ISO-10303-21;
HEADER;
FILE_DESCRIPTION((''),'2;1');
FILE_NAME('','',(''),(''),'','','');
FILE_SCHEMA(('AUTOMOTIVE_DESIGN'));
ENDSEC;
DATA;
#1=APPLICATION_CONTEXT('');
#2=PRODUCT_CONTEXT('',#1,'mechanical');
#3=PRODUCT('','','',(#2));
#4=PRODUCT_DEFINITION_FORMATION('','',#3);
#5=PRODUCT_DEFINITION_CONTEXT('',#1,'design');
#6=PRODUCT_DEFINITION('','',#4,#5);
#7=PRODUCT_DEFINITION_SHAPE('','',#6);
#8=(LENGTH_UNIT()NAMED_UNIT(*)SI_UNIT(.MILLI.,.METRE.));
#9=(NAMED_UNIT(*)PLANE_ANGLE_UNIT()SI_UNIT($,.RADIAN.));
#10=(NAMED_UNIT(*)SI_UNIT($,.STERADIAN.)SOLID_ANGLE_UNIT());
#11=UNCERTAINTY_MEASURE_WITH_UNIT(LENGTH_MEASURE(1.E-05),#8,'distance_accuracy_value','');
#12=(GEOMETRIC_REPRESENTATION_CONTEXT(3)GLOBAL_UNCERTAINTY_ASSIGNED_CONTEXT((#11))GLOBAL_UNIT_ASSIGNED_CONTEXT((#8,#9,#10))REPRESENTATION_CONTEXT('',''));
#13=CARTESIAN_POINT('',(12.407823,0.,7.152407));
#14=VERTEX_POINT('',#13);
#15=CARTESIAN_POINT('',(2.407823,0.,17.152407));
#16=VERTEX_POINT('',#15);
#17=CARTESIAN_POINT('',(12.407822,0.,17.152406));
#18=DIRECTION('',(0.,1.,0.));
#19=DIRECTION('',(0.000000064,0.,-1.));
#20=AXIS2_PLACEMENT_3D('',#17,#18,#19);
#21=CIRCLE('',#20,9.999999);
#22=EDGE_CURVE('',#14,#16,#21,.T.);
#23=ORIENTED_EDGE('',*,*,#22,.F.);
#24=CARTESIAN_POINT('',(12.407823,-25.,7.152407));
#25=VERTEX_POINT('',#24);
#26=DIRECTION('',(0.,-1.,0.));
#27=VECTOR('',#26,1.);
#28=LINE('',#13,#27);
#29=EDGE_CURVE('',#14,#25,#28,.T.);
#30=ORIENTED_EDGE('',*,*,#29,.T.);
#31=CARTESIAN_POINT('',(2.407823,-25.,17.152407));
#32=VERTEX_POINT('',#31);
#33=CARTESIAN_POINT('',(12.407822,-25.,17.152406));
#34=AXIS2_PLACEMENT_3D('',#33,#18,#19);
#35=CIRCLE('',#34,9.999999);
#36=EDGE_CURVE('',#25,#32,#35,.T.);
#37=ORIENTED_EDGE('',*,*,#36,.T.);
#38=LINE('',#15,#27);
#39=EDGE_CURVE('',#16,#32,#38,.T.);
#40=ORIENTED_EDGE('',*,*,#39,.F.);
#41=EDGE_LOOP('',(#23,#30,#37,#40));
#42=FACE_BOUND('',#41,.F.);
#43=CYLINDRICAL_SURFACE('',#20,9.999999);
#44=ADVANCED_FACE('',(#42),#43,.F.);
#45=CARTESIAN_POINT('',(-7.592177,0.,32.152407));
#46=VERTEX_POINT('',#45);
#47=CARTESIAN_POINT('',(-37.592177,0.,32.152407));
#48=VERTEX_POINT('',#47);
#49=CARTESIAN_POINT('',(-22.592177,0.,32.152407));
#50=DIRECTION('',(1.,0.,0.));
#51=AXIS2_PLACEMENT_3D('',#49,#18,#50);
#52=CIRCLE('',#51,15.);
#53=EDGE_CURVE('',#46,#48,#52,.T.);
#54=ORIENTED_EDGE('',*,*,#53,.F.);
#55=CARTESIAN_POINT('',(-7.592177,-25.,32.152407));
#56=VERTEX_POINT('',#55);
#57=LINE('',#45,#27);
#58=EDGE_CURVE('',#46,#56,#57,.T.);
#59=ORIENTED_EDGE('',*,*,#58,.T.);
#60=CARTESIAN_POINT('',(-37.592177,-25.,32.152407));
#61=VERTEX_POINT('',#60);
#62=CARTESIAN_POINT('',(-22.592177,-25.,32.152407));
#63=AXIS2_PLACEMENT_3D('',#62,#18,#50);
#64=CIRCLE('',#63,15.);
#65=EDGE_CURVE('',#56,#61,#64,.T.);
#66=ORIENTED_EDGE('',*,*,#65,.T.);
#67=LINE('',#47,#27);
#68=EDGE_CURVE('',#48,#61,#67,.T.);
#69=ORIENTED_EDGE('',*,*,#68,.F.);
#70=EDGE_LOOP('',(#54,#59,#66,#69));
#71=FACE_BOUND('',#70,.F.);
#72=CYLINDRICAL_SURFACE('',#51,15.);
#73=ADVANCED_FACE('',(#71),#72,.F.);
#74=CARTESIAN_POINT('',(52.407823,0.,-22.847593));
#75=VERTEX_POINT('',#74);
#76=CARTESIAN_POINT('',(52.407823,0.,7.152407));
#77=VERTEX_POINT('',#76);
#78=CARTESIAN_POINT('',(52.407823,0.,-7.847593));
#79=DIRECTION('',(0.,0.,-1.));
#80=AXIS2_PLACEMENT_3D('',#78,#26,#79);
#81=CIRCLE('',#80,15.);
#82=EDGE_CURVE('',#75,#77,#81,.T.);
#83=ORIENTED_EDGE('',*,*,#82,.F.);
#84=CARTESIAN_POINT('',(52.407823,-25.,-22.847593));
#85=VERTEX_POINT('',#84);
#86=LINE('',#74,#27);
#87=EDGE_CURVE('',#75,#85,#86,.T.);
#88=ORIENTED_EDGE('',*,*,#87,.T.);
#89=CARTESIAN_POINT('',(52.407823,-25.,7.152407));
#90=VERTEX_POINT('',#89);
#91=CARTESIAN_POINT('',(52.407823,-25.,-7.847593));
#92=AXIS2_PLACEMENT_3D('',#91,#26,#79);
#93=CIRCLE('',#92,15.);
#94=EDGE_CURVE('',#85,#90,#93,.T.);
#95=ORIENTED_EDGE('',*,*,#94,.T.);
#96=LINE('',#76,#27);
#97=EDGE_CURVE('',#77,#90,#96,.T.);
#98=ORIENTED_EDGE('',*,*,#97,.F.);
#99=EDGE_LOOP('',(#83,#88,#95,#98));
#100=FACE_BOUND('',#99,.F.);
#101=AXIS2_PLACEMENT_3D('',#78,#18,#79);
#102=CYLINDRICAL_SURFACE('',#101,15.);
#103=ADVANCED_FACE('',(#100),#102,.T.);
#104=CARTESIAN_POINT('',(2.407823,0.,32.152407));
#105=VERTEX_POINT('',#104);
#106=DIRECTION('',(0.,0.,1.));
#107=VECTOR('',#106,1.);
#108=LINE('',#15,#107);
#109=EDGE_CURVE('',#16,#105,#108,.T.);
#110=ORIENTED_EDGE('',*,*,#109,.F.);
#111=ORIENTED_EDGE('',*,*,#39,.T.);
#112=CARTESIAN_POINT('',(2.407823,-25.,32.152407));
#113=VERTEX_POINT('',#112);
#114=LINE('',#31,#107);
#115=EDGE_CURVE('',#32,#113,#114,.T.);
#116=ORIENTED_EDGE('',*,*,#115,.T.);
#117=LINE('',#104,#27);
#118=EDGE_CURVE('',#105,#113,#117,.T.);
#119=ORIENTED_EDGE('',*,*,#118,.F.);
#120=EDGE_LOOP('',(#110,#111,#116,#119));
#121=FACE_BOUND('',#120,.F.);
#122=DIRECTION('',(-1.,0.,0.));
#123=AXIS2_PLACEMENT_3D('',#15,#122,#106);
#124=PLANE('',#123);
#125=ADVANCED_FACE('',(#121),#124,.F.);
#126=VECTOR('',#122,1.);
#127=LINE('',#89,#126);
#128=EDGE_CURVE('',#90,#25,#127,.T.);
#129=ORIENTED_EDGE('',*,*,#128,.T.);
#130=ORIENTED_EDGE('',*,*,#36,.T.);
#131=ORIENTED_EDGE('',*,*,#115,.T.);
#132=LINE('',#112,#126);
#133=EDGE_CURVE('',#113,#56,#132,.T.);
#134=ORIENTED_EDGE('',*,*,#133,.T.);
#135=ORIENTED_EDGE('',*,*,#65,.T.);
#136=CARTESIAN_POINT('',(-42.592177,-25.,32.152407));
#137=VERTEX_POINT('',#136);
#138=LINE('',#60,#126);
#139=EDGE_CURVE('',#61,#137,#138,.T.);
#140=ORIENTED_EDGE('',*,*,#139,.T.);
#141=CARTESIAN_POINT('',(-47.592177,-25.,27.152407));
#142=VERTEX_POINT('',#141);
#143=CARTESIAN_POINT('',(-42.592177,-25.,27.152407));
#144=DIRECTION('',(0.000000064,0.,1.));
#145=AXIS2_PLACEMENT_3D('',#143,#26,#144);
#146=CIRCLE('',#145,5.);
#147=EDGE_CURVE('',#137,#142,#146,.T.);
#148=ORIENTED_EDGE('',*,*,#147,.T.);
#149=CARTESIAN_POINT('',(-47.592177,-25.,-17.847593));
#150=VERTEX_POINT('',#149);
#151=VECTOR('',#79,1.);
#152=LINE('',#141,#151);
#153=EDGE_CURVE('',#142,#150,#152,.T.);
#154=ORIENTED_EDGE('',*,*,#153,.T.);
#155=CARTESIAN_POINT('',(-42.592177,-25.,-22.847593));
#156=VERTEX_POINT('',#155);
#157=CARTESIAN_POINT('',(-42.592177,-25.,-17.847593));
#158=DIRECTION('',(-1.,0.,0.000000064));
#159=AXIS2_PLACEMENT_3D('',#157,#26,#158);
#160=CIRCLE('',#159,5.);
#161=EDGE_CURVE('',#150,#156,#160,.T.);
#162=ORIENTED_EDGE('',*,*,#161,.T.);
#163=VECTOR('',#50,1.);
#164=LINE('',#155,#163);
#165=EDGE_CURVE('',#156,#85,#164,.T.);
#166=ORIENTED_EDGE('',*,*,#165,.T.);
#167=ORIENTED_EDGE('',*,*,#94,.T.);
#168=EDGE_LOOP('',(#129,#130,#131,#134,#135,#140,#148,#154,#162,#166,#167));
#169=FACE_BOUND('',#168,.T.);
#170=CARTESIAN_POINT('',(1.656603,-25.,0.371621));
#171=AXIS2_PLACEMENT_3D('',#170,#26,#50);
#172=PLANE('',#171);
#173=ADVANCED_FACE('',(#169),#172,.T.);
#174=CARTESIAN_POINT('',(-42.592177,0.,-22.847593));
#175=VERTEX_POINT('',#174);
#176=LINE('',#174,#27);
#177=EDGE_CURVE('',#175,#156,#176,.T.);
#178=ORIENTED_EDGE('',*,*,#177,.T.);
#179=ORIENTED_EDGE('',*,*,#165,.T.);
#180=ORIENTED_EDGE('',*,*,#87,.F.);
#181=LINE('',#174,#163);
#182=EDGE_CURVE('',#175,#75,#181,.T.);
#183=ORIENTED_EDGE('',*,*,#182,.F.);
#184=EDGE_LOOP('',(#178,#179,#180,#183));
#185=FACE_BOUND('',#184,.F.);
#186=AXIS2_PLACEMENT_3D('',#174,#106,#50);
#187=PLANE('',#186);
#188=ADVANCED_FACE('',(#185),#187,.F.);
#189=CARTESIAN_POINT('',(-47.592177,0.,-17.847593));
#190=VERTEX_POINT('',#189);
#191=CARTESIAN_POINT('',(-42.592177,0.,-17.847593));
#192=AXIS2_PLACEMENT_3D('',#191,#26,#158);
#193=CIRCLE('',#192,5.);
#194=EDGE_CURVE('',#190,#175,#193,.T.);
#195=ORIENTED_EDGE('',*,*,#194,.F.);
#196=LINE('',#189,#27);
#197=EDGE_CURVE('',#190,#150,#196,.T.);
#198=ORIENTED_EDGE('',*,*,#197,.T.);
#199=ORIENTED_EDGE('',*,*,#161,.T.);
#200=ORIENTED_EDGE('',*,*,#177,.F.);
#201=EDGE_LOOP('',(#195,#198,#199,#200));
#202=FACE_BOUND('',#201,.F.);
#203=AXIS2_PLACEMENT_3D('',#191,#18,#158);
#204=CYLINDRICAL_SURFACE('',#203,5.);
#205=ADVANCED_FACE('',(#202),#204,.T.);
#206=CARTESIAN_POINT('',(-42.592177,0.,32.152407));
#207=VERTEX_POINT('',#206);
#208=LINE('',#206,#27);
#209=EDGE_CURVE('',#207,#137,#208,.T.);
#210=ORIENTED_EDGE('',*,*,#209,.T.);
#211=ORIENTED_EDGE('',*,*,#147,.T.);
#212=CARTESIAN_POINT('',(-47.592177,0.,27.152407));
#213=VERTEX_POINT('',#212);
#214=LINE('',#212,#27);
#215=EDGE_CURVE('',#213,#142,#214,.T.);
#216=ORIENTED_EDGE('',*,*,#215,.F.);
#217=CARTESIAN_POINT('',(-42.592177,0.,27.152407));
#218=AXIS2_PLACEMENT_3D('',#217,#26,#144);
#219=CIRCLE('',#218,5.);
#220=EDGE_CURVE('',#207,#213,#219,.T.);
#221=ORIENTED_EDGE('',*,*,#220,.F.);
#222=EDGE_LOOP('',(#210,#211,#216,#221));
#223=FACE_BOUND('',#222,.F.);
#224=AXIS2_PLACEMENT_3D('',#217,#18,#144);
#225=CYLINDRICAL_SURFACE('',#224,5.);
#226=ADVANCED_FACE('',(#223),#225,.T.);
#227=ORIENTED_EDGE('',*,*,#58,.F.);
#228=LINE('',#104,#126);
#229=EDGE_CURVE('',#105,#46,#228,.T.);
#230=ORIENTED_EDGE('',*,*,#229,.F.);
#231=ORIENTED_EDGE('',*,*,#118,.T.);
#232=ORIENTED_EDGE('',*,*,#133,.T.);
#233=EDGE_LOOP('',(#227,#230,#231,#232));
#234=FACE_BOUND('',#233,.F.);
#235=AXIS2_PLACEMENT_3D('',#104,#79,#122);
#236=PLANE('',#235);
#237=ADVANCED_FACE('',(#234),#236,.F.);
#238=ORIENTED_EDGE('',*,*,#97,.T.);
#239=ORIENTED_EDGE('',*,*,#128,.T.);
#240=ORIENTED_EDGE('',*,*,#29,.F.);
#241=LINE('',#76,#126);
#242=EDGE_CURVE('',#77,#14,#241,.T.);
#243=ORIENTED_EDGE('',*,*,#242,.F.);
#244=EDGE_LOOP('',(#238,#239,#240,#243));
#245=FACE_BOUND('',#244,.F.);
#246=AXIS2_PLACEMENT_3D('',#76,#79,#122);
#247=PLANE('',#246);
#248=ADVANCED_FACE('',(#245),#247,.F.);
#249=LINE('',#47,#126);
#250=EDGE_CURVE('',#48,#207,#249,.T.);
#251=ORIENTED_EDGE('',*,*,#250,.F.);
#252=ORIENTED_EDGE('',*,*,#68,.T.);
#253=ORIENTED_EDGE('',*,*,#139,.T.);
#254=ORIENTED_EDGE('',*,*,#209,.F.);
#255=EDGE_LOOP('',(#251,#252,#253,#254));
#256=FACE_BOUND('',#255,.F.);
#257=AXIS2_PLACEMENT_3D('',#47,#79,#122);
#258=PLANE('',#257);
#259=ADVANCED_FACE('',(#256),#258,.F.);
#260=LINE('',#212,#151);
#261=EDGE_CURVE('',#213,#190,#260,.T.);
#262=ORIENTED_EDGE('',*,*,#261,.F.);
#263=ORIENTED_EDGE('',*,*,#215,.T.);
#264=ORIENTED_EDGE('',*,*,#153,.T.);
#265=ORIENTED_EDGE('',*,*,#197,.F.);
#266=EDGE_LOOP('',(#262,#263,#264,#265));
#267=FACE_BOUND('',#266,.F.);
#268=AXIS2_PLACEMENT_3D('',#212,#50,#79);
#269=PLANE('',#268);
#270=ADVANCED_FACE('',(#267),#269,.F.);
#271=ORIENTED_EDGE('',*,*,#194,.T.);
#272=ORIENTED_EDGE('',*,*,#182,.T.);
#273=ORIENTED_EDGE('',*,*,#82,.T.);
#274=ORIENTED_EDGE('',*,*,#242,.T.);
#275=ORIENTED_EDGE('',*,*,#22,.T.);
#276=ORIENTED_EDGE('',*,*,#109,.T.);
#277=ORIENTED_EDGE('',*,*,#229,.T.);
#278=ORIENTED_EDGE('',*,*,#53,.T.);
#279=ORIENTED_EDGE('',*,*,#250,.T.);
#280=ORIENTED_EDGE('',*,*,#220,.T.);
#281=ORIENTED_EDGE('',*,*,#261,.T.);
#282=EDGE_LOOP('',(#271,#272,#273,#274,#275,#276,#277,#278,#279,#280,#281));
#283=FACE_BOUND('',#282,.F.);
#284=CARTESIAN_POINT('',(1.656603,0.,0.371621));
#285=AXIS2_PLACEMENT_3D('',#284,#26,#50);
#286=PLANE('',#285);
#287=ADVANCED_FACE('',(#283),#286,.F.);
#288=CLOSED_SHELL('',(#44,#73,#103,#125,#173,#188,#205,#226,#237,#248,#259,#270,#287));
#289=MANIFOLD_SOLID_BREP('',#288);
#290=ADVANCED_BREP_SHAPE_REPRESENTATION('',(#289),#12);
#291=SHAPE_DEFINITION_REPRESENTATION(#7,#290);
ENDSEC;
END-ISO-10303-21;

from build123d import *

# Parameters (mm, degrees)
F1_DEPTH = 25


with BuildPart() as f1:
    # F0 (on Front) → F1 (new body)
    with BuildSketch(Plane.XZ):
        with BuildLine():
            ThreePointArc((-42.592177, 32.152407), (-46.127711, 30.687941), (-47.592177, 27.152407))
            Line((-47.592177, 27.152407), (-47.592177, -17.847593))
            ThreePointArc((-47.592177, -17.847593), (-46.127711, -21.383127), (-42.592177, -22.847593))
            Line((-42.592177, -22.847593), (52.407823, -22.847593))
            ThreePointArc((52.407823, -22.847593), (67.407823, -7.847593), (52.407823, 7.152407))
            Line((52.407823, 7.152407), (12.407823, 7.152407))
            ThreePointArc((12.407823, 7.152407), (5.336755, 10.081339), (2.407823, 17.152407))
            Line((2.407823, 17.152407), (2.407823, 32.152407))
            Line((2.407823, 32.152407), (-7.592177, 32.152407))
            ThreePointArc((-7.592177, 32.152407), (-22.592177, 17.152407), (-37.592177, 32.152407))
            Line((-37.592177, 32.152407), (-42.592177, 32.152407))
        make_face()
    extrude(amount=F1_DEPTH)


solid = f1.part
